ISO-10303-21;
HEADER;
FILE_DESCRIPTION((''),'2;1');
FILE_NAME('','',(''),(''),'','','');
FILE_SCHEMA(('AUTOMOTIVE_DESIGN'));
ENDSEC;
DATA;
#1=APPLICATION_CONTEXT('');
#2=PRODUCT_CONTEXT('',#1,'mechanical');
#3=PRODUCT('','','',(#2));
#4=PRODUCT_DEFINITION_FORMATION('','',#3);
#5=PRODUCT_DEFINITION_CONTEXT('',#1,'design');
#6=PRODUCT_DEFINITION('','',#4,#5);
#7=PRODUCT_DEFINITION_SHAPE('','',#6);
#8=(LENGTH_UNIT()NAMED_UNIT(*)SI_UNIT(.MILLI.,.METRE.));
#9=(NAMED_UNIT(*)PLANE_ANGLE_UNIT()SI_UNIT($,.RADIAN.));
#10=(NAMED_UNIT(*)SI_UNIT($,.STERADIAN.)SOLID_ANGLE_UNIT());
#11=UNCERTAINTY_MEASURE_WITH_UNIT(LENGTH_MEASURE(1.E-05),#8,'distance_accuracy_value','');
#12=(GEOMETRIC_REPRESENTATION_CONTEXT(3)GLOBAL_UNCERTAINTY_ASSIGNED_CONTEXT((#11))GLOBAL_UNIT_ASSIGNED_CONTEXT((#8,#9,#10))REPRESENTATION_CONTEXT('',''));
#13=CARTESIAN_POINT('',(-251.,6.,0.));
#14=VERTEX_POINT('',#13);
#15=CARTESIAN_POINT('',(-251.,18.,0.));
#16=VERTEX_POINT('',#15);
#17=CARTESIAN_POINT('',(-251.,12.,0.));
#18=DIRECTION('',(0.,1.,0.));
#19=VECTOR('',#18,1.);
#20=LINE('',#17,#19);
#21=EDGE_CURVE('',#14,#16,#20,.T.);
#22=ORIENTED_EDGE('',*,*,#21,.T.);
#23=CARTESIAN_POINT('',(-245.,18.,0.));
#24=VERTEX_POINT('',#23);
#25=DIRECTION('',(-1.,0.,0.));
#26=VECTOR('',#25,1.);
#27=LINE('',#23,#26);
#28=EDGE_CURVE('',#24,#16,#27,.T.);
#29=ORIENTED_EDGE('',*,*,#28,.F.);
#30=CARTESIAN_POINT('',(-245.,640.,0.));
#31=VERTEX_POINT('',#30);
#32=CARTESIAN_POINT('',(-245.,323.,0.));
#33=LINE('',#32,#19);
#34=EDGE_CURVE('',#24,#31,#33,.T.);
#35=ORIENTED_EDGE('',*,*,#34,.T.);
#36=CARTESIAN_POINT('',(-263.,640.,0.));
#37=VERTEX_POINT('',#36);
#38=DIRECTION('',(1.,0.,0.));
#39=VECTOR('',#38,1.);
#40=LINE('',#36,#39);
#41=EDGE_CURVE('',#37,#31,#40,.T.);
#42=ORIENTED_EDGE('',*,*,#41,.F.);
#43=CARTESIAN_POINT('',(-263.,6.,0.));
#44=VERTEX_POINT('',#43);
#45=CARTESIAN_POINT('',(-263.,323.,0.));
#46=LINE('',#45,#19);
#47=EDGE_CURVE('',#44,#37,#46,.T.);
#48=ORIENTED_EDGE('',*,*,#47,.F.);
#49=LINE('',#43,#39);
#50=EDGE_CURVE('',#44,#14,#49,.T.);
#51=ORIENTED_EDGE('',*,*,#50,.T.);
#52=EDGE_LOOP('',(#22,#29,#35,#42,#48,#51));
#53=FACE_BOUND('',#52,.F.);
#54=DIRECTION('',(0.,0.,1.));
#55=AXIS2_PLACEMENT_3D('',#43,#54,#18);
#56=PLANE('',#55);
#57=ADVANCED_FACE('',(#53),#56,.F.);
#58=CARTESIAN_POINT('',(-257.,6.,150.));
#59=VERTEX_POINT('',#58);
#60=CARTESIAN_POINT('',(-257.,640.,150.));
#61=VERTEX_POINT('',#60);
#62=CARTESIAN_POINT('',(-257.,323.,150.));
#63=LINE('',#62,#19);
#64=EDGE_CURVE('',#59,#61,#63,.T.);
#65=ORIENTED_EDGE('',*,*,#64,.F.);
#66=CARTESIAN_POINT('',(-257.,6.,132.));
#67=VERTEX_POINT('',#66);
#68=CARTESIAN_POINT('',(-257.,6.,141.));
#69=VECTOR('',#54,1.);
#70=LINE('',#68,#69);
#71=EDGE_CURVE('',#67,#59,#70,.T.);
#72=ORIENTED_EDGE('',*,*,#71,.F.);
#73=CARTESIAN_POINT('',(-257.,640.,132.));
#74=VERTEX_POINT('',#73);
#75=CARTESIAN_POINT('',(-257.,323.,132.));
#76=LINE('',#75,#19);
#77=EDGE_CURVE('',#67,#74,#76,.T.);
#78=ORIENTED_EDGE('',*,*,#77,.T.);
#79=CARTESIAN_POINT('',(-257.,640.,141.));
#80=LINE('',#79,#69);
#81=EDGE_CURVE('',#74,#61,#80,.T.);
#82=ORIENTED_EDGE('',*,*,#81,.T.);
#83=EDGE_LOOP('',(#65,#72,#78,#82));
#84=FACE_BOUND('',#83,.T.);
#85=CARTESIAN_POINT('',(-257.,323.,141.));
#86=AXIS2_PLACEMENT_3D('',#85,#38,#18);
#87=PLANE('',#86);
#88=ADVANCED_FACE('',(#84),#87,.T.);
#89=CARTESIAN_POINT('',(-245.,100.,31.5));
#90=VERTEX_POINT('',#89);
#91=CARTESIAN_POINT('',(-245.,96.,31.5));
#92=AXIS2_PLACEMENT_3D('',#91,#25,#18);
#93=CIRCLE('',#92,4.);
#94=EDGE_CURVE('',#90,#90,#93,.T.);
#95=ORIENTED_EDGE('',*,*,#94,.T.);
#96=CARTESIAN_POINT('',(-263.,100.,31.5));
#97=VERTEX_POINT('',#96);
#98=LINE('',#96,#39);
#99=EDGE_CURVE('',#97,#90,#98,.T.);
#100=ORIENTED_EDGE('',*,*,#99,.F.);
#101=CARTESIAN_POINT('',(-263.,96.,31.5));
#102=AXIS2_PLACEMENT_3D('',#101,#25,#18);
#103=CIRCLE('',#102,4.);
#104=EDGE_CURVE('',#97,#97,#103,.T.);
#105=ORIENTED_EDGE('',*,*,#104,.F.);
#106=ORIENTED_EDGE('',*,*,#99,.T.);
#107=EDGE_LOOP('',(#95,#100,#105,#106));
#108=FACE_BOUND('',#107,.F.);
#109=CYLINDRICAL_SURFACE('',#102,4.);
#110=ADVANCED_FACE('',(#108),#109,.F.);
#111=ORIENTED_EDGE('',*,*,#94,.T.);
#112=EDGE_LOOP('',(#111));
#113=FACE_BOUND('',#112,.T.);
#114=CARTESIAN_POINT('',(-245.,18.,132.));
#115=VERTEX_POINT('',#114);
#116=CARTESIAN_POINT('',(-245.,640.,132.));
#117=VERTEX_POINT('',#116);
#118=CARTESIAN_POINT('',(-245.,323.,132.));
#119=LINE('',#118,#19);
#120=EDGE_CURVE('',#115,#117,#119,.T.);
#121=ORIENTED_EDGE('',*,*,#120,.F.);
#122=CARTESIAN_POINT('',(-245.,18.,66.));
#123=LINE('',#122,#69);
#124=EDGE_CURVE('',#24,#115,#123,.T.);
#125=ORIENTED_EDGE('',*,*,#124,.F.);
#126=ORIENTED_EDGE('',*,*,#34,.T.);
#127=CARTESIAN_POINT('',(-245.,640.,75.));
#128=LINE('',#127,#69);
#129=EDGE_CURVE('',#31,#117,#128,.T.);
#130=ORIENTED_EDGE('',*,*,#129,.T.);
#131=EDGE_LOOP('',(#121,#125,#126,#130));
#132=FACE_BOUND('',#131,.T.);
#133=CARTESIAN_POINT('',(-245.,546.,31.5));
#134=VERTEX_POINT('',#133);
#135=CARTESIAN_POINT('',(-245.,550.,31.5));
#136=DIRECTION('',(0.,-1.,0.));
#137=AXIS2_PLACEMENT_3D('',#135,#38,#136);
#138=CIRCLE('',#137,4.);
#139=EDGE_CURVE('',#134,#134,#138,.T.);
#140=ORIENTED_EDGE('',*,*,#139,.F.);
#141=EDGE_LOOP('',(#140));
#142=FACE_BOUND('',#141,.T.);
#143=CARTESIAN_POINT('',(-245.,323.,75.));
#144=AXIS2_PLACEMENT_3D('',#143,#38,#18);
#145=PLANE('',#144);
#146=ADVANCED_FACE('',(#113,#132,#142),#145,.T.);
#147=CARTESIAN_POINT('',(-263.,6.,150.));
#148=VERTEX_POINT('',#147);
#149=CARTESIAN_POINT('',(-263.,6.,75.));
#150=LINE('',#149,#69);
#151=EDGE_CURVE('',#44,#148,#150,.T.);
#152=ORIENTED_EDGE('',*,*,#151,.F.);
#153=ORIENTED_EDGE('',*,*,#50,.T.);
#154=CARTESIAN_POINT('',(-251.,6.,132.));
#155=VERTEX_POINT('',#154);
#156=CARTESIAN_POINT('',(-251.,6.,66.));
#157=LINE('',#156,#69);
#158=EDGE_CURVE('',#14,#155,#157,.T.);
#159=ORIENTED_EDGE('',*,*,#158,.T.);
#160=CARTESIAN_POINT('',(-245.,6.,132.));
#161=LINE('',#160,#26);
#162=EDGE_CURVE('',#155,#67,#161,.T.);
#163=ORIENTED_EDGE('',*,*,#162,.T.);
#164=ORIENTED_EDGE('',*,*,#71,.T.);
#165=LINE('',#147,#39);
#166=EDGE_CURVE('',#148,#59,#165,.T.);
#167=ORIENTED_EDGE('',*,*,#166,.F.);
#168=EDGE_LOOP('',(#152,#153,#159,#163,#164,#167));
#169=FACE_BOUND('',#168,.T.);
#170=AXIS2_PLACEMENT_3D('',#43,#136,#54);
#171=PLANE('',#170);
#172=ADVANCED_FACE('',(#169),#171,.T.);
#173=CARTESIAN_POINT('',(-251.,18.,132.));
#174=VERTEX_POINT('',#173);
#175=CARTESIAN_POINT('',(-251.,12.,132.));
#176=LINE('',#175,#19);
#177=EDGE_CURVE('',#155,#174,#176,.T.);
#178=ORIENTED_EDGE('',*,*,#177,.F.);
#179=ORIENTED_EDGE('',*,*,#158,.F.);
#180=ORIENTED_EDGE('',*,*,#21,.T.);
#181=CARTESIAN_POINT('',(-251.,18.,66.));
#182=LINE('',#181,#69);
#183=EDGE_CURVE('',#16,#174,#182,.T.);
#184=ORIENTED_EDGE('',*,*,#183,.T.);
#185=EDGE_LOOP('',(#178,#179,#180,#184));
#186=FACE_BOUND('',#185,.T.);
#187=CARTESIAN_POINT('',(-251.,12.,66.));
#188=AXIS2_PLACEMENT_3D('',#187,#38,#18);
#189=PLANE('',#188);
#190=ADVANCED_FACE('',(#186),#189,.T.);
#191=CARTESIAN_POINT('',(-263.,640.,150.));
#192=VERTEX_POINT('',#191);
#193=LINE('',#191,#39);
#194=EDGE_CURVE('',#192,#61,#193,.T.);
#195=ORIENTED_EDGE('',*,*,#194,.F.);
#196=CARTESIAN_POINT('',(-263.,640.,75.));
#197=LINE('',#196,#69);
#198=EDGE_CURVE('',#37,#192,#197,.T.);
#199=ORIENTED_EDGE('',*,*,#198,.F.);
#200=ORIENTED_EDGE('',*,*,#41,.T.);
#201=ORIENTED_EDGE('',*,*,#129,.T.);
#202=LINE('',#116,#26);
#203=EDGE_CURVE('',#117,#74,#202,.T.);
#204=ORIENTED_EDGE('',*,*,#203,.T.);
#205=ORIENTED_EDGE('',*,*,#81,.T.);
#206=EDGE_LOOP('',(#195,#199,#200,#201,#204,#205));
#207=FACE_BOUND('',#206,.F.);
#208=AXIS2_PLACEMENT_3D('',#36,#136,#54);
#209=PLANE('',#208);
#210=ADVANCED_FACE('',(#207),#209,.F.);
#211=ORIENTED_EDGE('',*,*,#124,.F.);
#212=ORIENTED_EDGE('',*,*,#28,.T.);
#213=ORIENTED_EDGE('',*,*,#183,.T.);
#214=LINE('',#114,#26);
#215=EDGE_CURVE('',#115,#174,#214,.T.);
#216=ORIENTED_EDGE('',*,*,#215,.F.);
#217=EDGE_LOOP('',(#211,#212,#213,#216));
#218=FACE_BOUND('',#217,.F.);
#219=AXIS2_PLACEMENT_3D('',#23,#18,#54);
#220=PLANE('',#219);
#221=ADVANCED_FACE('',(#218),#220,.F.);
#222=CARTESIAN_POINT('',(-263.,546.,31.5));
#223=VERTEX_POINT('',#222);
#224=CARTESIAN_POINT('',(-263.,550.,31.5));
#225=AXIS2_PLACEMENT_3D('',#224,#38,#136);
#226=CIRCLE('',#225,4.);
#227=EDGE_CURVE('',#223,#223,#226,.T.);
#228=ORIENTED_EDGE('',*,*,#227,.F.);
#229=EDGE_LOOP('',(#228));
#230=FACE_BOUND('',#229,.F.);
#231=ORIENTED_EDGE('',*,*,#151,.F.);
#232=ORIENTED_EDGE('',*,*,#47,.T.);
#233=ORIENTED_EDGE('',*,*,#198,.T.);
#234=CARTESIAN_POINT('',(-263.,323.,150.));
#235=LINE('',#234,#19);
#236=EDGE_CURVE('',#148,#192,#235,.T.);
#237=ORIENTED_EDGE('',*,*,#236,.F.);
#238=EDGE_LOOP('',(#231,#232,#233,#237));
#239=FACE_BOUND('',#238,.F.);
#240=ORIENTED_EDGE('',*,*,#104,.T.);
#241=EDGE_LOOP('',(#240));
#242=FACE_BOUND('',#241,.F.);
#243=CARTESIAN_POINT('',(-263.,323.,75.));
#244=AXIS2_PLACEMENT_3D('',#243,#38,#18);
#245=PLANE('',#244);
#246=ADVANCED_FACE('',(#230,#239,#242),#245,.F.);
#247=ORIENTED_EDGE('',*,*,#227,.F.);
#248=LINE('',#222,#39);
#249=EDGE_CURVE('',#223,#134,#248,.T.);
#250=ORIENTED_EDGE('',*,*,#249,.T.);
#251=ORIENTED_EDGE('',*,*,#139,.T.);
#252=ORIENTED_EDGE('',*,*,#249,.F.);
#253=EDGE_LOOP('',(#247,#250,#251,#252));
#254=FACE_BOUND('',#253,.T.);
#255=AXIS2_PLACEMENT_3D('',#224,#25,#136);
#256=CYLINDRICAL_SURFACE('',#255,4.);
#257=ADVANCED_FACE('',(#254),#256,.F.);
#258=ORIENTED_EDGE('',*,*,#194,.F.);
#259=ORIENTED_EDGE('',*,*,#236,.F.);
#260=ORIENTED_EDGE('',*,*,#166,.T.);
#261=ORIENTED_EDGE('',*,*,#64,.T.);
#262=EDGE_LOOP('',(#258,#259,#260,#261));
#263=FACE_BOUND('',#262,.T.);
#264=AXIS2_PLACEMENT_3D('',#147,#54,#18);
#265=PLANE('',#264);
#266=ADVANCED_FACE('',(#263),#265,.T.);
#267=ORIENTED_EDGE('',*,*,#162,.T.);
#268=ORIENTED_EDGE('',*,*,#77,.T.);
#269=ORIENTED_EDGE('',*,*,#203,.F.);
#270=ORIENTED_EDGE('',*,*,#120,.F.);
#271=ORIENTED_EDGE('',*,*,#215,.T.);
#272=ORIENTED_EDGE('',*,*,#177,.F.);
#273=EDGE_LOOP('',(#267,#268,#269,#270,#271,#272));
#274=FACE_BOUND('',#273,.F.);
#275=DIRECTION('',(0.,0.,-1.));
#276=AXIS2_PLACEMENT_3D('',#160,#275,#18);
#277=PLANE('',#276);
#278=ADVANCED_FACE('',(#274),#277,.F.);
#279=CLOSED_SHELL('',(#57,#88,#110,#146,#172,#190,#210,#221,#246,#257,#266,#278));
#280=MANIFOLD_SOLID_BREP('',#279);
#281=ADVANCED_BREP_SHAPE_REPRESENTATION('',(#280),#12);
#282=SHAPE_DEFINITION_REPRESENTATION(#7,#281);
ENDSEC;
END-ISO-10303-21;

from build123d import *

# Parameters (mm, degrees)
SKETCH028_W             = 634
SKETCH028_H             = 150
PAD011_DEPTH            = 18
SKETCH029_W             = 634
SKETCH029_H             = 18
POCKET017_DEPTH         = 12
SKETCH030_W             = 12
SKETCH030_H             = 132
POCKET018_DEPTH         = 6
SKETCH039_R             = 4
POCKET023_DEPTH         = 18
BODY010_ROLL_ANGLE      = 90
BODY010_PLACEMENT_ANGLE = 90


with BuildPart() as part:
    # Sketch028 → Pad011 (new body)
    with BuildSketch(Plane.XY):
        with Locations((0, 75)):
            Rectangle(SKETCH028_W, SKETCH028_H)
    extrude(amount=PAD011_DEPTH)

    # Sketch029 (on Face6 of Pad011) → Pocket017 (cut)
    with BuildSketch(Plane.XY.offset(18)):
        with Locations((0, 141)):
            Rectangle(SKETCH029_W, SKETCH029_H)
    extrude(amount=-POCKET017_DEPTH, mode=Mode.SUBTRACT)

    # Sketch030 (on Face7 of Pocket017) → Pocket018 (cut)
    with BuildSketch(Plane.XY.offset(18)):
        with Locations((-311, 66)):
            Rectangle(SKETCH030_W, SKETCH030_H)
    extrude(amount=-POCKET018_DEPTH, mode=Mode.SUBTRACT)

    # Sketch039 (on Face2 of Pocket018) → Pocket023 (cut)
    with BuildSketch(Plane(origin=(0, 0, 0), x_dir=(1, 0, 0), z_dir=(0, 0, -1))):
        with Locations((-227, -31.5)):
            Circle(SKETCH039_R)
    pocket023 = extrude(amount=-POCKET023_DEPTH, mode=Mode.SUBTRACT)

    # Mirrored008: Pocket023 across Sketch039 V_Axis
    add(pocket023.mirror(Plane(origin=(0, 0, 0), x_dir=(0, 0, -1), z_dir=(1, 0, 0))), mode=Mode.SUBTRACT)


with BuildPart() as part_1:
    # Body010 roll: moved
    add(part.part.rotate(Axis((0, 0, 0), (1, 0, 0)), BODY010_ROLL_ANGLE))


with BuildPart() as part_2:
    # Body010 placement: moved
    add(part_1.part.moved(Location((-263, 323, 0))).rotate(Axis((-263, 323, 0), (0, 0, 1)), BODY010_PLACEMENT_ANGLE))


solid = part_2.part
